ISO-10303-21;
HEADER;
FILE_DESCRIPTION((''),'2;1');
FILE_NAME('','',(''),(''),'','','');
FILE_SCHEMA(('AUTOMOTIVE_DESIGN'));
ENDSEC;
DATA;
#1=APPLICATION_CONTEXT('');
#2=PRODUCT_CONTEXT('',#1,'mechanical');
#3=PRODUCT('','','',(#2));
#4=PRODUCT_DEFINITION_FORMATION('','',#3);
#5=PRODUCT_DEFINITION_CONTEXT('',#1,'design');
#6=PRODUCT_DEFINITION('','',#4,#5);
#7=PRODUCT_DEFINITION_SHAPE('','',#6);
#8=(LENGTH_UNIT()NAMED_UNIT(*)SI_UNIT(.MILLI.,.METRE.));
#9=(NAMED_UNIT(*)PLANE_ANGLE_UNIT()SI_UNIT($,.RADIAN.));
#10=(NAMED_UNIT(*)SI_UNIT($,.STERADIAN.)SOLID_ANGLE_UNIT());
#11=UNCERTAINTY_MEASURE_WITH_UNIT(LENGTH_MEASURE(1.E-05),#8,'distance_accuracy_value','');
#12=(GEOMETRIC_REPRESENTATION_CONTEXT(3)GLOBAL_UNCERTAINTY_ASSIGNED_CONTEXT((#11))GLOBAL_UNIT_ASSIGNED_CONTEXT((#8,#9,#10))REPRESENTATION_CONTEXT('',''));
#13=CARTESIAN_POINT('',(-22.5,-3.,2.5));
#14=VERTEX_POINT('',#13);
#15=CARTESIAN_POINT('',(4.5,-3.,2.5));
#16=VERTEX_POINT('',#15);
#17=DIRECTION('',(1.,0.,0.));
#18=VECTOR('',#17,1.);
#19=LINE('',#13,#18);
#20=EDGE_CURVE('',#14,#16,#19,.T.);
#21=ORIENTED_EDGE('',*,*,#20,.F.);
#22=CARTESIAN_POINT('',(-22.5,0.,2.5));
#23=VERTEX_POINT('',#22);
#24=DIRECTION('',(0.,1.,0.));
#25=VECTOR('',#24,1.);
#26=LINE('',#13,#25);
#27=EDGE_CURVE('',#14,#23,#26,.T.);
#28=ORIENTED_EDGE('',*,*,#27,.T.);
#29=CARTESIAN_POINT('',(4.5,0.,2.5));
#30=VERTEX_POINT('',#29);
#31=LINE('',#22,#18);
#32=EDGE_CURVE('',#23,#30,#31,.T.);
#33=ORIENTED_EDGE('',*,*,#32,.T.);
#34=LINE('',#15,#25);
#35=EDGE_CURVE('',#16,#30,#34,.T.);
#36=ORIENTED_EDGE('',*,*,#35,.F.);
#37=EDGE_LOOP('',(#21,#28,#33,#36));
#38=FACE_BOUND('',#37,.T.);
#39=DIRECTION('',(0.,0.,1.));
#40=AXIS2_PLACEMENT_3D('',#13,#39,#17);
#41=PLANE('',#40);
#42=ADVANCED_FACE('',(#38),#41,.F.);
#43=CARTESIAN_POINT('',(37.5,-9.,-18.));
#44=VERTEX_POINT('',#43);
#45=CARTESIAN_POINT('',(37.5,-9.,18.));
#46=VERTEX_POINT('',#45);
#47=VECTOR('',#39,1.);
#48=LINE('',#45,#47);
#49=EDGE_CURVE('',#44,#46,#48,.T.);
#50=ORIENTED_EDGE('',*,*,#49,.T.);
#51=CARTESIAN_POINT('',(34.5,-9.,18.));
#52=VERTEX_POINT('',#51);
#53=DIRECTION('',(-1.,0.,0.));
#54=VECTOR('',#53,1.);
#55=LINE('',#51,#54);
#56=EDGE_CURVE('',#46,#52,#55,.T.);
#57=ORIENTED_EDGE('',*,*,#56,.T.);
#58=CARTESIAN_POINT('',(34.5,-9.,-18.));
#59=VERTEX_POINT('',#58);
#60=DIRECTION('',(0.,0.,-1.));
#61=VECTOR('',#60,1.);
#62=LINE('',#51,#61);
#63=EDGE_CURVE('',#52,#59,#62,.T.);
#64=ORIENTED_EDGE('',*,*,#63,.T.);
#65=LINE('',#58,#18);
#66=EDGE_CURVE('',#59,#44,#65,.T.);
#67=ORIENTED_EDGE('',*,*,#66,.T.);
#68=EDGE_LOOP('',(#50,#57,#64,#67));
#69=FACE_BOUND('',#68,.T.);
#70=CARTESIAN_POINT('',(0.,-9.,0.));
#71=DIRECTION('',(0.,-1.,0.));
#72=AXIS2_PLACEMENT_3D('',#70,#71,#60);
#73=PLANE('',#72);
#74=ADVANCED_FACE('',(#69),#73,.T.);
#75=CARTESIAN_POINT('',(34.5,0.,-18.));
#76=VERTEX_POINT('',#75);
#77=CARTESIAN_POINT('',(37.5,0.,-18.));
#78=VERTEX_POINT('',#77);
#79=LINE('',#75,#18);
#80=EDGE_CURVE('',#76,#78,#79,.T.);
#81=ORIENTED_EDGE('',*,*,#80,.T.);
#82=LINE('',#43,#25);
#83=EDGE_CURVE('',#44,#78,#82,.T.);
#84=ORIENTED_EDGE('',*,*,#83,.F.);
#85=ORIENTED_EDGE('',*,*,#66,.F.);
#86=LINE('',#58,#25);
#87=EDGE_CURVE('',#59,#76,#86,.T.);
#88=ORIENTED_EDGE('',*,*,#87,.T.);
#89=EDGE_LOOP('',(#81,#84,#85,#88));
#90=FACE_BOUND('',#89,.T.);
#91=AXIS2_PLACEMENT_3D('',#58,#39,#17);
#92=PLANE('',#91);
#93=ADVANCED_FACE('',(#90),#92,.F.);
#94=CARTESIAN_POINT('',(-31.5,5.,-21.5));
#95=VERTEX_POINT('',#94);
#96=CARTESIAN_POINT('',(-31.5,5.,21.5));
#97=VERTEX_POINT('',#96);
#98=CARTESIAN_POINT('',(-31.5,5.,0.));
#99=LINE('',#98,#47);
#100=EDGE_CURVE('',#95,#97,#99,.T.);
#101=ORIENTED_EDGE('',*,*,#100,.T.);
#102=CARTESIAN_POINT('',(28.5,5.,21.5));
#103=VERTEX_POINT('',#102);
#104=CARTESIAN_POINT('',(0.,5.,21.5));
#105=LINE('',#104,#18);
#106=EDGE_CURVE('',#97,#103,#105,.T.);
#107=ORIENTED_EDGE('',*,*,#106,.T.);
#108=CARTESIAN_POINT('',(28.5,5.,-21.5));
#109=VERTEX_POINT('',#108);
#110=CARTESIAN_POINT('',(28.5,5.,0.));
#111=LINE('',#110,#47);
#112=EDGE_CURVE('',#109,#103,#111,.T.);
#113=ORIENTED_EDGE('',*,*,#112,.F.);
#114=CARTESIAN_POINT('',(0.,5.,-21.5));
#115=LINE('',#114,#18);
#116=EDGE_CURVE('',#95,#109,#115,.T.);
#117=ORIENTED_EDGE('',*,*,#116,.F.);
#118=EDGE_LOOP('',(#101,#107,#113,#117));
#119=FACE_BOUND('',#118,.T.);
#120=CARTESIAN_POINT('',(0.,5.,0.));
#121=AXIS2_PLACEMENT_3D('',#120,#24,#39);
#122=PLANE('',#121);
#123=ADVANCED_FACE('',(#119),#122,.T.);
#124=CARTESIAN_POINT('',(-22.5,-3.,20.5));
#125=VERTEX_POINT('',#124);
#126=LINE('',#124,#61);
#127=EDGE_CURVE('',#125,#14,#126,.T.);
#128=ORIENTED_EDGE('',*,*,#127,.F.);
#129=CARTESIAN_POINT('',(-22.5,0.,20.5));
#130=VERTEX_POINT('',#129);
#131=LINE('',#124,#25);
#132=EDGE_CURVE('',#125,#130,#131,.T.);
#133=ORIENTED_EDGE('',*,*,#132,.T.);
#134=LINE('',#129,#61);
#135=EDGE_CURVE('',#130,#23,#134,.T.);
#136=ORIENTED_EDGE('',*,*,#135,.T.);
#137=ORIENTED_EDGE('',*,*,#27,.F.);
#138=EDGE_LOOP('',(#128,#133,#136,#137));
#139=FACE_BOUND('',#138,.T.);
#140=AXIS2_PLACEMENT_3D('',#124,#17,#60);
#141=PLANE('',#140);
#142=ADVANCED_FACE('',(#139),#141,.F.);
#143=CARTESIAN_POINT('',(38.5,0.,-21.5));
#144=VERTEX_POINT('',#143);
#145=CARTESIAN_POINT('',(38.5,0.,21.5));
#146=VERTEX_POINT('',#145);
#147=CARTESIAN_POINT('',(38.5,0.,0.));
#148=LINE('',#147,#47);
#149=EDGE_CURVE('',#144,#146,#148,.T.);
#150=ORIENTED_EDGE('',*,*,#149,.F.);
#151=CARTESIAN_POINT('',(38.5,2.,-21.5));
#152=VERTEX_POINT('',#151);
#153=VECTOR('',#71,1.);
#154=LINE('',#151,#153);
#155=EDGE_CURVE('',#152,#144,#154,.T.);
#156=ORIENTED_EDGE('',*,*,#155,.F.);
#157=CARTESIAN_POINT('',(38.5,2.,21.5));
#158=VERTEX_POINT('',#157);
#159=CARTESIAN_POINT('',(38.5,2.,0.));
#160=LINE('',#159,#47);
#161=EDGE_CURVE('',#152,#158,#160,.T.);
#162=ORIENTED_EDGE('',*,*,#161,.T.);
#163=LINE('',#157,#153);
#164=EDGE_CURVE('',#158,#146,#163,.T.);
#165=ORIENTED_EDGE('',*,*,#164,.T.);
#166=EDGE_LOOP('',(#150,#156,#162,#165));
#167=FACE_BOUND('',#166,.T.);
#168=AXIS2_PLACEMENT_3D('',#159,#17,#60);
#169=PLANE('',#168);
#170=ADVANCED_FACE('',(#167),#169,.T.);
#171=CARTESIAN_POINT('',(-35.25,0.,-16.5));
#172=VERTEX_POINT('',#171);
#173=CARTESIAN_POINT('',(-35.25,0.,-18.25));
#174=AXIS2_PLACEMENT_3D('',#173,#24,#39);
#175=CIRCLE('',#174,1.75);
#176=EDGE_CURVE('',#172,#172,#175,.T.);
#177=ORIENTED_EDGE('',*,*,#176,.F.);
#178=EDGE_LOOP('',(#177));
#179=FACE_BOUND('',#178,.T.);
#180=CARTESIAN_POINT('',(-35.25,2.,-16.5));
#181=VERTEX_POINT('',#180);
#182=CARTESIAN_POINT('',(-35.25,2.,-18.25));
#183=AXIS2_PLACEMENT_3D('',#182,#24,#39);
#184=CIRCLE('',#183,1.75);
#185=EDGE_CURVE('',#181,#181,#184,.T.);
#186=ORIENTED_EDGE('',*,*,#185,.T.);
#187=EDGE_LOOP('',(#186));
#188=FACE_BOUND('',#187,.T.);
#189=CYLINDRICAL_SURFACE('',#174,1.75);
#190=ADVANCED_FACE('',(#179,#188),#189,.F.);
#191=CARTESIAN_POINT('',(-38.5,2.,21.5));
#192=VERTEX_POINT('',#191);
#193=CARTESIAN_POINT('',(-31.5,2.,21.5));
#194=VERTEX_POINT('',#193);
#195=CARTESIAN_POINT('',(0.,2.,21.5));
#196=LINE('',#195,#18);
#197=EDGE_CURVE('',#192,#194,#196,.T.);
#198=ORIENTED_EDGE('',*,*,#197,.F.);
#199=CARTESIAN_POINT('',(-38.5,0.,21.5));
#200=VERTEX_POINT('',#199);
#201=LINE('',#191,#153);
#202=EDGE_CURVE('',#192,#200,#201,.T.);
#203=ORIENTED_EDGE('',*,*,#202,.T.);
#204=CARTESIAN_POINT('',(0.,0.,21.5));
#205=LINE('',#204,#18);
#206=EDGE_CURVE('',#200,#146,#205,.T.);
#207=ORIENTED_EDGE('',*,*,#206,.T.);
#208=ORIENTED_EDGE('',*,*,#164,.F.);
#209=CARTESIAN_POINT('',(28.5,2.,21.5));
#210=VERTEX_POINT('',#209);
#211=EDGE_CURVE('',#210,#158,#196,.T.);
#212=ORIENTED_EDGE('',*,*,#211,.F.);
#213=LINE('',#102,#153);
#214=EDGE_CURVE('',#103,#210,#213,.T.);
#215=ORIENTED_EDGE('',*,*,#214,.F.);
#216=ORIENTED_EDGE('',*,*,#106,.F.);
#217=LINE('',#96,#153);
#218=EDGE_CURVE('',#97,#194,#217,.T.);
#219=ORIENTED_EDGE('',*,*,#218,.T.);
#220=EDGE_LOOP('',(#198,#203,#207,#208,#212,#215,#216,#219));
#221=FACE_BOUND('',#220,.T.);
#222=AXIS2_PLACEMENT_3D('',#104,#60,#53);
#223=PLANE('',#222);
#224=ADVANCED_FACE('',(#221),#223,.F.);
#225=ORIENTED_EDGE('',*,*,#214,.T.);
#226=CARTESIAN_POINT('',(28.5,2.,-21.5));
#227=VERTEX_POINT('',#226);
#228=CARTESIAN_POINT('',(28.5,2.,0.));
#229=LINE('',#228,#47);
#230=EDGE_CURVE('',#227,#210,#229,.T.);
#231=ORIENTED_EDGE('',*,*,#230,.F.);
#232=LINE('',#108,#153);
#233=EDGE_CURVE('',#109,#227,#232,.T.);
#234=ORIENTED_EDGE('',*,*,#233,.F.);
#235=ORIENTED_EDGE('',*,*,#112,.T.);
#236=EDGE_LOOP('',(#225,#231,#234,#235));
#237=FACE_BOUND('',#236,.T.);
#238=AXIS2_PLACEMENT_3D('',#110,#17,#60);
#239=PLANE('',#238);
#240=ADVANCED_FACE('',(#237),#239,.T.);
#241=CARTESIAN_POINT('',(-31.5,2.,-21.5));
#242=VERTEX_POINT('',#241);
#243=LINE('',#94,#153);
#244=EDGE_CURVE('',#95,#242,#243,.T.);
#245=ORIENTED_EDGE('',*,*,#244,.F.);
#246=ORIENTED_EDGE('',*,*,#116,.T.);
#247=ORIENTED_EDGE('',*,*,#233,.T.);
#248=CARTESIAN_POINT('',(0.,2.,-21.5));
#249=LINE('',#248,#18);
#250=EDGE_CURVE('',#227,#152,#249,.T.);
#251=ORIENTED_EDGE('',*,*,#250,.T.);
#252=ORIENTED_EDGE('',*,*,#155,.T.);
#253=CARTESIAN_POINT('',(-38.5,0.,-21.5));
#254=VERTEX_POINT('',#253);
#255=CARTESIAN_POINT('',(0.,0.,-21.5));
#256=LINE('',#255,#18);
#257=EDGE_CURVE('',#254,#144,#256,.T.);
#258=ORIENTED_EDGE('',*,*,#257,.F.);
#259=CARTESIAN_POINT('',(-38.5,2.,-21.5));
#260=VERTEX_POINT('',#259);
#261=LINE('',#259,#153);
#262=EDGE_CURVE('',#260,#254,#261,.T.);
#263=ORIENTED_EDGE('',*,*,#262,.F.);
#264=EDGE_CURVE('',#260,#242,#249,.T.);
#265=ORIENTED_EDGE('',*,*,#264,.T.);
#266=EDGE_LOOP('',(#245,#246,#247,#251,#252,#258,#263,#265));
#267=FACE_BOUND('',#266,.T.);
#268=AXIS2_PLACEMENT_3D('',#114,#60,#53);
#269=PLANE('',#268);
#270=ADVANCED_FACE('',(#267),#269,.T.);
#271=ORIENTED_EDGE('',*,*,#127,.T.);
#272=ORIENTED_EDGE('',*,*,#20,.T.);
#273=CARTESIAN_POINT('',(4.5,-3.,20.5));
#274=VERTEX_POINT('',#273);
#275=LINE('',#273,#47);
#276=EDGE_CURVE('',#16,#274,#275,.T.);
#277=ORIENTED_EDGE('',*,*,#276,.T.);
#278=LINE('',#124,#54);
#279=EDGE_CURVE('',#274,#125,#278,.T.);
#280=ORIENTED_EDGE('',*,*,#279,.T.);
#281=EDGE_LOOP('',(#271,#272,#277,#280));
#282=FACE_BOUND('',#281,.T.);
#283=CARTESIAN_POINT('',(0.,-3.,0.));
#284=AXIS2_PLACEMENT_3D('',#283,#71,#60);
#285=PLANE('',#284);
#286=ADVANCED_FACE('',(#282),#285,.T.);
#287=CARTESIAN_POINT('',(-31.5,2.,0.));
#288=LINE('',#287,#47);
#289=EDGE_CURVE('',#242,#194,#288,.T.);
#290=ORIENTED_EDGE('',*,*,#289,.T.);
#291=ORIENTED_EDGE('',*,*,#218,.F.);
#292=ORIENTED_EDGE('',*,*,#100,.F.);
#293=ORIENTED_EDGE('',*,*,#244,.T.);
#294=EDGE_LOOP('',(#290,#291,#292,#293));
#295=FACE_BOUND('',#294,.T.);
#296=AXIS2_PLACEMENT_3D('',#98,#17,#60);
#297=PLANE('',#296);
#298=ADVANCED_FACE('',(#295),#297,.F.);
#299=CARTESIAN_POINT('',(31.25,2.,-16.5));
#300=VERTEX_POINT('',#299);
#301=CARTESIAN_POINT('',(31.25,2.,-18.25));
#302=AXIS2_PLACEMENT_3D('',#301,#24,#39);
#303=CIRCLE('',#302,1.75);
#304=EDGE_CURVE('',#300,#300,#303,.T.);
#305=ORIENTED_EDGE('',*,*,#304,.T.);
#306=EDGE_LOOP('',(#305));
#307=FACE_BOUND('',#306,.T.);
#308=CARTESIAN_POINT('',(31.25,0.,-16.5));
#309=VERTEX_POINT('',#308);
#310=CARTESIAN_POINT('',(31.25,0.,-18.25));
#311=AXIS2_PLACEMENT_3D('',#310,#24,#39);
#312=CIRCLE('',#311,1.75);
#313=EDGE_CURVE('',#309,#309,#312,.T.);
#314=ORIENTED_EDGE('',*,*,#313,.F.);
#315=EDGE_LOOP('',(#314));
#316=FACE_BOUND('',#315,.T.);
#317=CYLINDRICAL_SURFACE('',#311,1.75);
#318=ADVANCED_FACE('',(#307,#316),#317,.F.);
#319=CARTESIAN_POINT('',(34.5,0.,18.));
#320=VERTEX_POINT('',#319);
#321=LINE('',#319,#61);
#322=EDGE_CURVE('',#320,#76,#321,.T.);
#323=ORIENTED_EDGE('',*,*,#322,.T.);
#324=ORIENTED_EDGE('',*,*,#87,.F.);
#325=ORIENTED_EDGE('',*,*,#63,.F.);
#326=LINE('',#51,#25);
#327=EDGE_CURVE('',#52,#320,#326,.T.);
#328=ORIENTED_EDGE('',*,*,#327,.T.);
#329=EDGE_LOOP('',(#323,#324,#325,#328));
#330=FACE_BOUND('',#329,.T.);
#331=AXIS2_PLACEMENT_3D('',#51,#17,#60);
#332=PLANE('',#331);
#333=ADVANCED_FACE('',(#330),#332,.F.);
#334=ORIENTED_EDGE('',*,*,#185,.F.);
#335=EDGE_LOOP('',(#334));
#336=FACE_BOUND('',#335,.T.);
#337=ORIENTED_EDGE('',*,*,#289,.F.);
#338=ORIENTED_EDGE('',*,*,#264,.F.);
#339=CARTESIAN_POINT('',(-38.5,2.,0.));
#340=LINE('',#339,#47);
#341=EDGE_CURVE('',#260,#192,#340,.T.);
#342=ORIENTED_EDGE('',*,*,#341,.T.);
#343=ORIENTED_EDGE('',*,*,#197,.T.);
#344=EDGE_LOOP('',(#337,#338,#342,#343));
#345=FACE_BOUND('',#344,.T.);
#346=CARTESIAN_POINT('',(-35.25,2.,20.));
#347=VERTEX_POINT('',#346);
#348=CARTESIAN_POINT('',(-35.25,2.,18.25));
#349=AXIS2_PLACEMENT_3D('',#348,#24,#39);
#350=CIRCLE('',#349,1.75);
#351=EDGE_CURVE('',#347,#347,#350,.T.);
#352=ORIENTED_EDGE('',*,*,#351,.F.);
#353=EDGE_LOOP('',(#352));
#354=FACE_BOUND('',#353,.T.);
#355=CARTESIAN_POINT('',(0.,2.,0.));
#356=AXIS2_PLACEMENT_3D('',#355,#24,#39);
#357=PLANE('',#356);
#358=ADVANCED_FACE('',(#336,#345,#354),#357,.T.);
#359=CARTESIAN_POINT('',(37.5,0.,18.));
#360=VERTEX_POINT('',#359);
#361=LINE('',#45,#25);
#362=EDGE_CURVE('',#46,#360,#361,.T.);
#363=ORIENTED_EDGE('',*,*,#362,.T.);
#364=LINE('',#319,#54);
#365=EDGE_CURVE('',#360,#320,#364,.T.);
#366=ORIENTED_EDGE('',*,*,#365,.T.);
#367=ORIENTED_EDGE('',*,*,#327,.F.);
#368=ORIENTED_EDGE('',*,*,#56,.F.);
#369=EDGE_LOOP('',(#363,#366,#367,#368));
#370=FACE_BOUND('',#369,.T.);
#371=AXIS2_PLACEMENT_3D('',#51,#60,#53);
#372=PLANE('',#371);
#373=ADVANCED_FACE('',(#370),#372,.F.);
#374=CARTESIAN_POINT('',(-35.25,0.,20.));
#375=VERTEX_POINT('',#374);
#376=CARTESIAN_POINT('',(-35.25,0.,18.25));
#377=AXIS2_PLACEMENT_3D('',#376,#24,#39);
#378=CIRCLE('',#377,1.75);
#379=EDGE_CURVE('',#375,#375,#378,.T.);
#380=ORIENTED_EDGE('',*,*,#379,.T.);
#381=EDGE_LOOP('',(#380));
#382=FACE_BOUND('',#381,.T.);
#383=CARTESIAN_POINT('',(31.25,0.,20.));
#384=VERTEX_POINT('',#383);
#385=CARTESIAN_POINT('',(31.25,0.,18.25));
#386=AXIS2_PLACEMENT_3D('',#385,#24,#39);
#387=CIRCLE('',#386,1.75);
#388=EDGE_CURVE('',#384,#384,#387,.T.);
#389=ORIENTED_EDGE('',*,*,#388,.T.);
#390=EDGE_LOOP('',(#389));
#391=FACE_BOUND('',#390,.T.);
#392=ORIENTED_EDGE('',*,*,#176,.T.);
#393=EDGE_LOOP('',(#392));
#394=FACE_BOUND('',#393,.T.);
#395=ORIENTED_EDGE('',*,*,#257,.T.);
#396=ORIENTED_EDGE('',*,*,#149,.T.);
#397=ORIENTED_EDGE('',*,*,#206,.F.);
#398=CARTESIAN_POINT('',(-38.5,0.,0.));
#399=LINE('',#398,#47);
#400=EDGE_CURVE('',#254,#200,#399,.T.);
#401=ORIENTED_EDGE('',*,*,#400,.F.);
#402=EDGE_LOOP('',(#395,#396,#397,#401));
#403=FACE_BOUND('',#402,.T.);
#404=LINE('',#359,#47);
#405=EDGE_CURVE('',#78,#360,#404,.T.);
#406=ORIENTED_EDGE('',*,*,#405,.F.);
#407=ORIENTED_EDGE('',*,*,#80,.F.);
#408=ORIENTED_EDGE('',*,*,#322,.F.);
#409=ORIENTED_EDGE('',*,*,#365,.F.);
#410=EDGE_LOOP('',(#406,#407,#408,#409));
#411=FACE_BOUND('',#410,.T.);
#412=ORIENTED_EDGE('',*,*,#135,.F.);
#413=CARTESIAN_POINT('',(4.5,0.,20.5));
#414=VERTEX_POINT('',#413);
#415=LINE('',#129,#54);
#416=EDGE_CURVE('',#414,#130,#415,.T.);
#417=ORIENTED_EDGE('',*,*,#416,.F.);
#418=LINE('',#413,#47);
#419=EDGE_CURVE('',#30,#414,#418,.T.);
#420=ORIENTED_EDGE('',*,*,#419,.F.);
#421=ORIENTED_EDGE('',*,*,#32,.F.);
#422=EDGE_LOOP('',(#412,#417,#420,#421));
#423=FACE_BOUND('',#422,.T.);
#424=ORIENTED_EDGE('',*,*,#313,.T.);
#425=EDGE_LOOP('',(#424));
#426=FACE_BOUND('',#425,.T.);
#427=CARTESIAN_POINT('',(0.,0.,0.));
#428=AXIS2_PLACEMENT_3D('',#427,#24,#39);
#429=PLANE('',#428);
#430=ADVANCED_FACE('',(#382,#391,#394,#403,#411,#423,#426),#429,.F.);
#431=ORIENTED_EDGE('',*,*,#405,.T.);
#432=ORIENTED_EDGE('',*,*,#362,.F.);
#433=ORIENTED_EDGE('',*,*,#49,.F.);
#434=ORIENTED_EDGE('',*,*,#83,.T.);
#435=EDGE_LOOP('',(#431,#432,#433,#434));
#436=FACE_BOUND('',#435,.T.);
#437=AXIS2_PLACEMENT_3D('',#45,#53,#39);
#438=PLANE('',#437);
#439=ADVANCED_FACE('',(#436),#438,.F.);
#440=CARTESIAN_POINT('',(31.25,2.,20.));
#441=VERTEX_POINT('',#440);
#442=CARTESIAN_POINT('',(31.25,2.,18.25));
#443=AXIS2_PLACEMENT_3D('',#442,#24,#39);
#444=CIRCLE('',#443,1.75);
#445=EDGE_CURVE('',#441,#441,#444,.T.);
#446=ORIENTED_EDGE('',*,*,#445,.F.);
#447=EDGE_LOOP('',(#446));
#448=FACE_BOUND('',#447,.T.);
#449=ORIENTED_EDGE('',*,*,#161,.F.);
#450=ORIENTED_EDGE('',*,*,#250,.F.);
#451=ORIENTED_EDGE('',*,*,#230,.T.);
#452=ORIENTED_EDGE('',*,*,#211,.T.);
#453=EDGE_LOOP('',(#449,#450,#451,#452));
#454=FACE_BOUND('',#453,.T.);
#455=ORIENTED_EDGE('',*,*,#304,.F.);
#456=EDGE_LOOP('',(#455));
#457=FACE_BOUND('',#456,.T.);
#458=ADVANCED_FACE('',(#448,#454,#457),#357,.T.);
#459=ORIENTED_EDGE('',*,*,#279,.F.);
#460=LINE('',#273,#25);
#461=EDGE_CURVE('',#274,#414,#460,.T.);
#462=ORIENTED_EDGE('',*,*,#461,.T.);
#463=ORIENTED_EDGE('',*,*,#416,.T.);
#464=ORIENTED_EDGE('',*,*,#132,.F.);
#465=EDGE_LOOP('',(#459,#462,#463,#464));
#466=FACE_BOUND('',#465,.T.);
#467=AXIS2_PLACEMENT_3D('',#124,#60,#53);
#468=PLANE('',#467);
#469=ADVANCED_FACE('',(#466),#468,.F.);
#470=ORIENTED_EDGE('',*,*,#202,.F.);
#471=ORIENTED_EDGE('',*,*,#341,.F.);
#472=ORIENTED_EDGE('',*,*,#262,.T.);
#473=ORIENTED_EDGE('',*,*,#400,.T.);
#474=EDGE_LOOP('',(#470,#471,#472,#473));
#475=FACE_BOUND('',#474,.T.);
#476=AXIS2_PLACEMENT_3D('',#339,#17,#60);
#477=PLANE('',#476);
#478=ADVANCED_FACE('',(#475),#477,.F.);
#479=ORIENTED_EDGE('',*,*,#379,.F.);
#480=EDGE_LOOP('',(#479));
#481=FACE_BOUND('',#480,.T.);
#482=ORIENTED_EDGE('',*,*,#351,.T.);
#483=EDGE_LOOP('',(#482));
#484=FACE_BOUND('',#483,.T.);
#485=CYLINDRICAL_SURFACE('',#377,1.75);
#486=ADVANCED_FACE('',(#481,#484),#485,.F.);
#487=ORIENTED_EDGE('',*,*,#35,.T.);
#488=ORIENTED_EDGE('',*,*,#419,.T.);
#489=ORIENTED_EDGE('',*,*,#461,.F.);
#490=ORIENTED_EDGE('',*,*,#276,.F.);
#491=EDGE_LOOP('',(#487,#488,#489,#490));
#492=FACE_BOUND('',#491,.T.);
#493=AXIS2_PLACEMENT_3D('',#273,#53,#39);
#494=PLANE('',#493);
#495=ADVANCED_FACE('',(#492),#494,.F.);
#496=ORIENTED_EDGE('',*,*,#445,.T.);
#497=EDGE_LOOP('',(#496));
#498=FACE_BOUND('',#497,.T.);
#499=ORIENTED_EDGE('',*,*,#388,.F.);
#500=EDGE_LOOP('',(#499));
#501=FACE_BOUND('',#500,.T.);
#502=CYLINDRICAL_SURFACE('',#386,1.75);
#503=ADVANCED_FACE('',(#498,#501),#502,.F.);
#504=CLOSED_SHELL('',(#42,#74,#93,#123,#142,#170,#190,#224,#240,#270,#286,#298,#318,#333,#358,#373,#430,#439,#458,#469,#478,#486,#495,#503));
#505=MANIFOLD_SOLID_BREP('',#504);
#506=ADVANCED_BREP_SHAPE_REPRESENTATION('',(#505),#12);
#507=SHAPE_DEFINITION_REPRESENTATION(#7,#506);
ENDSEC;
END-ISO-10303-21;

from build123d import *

# Parameters (mm, degrees)
SKETCH1_W           = 60
SKETCH1_H           = 43
BOSS_EXTRUDE1_DEPTH = 5
SKETCH1_3_W         = 7
SKETCH1_3_H         = 43
SKETCH1_3_W_2       = 10
BOSS_EXTRUDE2_DEPTH = 2
SKETCH2_R           = 1.75
CUT_EXTRUDE1_DEPTH  = 2
SKETCH3_R           = 1.75
CUT_EXTRUDE2_DEPTH  = 2
SKETCH4_W           = 3
SKETCH4_H           = 36
BOSS_EXTRUDE3_DEPTH = 9
SKETCH5_W           = 27
SKETCH5_H           = 18
BOSS_EXTRUDE4_DEPTH = 3


with BuildPart() as part:
    # Sketch1 → Boss-Extrude1 (new body)
    with BuildSketch(Plane(origin=(0, 0, 0), x_dir=(1, 0, 0), z_dir=(0, 1, 0))):
        with Locations((-1.5, 0)):
            Rectangle(SKETCH1_W, SKETCH1_H)
    extrude(amount=BOSS_EXTRUDE1_DEPTH)

    # Sketch1<3> → Boss-Extrude2 (add)
    with BuildSketch(Plane(origin=(0, 0, 0), x_dir=(1, 0, 0), z_dir=(0, 1, 0))):
        with Locations((-35, 0)):
            Rectangle(SKETCH1_3_W, SKETCH1_3_H)
        with Locations((33.5, 0)):
            Rectangle(SKETCH1_3_W_2, SKETCH1_3_H)
    extrude(amount=BOSS_EXTRUDE2_DEPTH)

    # Sketch2 → Cut-Extrude1 (cut)
    with BuildSketch(Plane(origin=(0, 2, 0), x_dir=(1, 0, 0), z_dir=(0, 1, 0))):
        with Locations((31.25, 18.25)):
            Circle(SKETCH2_R)
        with Locations((31.25, -18.25)):
            Circle(SKETCH2_R)
    extrude(amount=-CUT_EXTRUDE1_DEPTH, mode=Mode.SUBTRACT)

    # Sketch3 → Cut-Extrude2 (cut)
    with BuildSketch(Plane(origin=(0, 2, 0), x_dir=(1, 0, 0), z_dir=(0, 1, 0))):
        with Locations((-35.25, 18.25)):
            Circle(SKETCH3_R)
        with Locations((-35.25, -18.25)):
            Circle(SKETCH3_R)
    extrude(amount=-CUT_EXTRUDE2_DEPTH, mode=Mode.SUBTRACT)

    # Sketch4 → Boss-Extrude3 (add)
    with BuildSketch(Plane.XZ):
        with Locations((36, 0)):
            Rectangle(SKETCH4_W, SKETCH4_H)
    extrude(amount=BOSS_EXTRUDE3_DEPTH)

    # Sketch5 → Boss-Extrude4 (add)
    with BuildSketch(Plane.XZ):
        with Locations((-9, 11.5)):
            Rectangle(SKETCH5_W, SKETCH5_H)
    extrude(amount=BOSS_EXTRUDE4_DEPTH)


solid = part.part
